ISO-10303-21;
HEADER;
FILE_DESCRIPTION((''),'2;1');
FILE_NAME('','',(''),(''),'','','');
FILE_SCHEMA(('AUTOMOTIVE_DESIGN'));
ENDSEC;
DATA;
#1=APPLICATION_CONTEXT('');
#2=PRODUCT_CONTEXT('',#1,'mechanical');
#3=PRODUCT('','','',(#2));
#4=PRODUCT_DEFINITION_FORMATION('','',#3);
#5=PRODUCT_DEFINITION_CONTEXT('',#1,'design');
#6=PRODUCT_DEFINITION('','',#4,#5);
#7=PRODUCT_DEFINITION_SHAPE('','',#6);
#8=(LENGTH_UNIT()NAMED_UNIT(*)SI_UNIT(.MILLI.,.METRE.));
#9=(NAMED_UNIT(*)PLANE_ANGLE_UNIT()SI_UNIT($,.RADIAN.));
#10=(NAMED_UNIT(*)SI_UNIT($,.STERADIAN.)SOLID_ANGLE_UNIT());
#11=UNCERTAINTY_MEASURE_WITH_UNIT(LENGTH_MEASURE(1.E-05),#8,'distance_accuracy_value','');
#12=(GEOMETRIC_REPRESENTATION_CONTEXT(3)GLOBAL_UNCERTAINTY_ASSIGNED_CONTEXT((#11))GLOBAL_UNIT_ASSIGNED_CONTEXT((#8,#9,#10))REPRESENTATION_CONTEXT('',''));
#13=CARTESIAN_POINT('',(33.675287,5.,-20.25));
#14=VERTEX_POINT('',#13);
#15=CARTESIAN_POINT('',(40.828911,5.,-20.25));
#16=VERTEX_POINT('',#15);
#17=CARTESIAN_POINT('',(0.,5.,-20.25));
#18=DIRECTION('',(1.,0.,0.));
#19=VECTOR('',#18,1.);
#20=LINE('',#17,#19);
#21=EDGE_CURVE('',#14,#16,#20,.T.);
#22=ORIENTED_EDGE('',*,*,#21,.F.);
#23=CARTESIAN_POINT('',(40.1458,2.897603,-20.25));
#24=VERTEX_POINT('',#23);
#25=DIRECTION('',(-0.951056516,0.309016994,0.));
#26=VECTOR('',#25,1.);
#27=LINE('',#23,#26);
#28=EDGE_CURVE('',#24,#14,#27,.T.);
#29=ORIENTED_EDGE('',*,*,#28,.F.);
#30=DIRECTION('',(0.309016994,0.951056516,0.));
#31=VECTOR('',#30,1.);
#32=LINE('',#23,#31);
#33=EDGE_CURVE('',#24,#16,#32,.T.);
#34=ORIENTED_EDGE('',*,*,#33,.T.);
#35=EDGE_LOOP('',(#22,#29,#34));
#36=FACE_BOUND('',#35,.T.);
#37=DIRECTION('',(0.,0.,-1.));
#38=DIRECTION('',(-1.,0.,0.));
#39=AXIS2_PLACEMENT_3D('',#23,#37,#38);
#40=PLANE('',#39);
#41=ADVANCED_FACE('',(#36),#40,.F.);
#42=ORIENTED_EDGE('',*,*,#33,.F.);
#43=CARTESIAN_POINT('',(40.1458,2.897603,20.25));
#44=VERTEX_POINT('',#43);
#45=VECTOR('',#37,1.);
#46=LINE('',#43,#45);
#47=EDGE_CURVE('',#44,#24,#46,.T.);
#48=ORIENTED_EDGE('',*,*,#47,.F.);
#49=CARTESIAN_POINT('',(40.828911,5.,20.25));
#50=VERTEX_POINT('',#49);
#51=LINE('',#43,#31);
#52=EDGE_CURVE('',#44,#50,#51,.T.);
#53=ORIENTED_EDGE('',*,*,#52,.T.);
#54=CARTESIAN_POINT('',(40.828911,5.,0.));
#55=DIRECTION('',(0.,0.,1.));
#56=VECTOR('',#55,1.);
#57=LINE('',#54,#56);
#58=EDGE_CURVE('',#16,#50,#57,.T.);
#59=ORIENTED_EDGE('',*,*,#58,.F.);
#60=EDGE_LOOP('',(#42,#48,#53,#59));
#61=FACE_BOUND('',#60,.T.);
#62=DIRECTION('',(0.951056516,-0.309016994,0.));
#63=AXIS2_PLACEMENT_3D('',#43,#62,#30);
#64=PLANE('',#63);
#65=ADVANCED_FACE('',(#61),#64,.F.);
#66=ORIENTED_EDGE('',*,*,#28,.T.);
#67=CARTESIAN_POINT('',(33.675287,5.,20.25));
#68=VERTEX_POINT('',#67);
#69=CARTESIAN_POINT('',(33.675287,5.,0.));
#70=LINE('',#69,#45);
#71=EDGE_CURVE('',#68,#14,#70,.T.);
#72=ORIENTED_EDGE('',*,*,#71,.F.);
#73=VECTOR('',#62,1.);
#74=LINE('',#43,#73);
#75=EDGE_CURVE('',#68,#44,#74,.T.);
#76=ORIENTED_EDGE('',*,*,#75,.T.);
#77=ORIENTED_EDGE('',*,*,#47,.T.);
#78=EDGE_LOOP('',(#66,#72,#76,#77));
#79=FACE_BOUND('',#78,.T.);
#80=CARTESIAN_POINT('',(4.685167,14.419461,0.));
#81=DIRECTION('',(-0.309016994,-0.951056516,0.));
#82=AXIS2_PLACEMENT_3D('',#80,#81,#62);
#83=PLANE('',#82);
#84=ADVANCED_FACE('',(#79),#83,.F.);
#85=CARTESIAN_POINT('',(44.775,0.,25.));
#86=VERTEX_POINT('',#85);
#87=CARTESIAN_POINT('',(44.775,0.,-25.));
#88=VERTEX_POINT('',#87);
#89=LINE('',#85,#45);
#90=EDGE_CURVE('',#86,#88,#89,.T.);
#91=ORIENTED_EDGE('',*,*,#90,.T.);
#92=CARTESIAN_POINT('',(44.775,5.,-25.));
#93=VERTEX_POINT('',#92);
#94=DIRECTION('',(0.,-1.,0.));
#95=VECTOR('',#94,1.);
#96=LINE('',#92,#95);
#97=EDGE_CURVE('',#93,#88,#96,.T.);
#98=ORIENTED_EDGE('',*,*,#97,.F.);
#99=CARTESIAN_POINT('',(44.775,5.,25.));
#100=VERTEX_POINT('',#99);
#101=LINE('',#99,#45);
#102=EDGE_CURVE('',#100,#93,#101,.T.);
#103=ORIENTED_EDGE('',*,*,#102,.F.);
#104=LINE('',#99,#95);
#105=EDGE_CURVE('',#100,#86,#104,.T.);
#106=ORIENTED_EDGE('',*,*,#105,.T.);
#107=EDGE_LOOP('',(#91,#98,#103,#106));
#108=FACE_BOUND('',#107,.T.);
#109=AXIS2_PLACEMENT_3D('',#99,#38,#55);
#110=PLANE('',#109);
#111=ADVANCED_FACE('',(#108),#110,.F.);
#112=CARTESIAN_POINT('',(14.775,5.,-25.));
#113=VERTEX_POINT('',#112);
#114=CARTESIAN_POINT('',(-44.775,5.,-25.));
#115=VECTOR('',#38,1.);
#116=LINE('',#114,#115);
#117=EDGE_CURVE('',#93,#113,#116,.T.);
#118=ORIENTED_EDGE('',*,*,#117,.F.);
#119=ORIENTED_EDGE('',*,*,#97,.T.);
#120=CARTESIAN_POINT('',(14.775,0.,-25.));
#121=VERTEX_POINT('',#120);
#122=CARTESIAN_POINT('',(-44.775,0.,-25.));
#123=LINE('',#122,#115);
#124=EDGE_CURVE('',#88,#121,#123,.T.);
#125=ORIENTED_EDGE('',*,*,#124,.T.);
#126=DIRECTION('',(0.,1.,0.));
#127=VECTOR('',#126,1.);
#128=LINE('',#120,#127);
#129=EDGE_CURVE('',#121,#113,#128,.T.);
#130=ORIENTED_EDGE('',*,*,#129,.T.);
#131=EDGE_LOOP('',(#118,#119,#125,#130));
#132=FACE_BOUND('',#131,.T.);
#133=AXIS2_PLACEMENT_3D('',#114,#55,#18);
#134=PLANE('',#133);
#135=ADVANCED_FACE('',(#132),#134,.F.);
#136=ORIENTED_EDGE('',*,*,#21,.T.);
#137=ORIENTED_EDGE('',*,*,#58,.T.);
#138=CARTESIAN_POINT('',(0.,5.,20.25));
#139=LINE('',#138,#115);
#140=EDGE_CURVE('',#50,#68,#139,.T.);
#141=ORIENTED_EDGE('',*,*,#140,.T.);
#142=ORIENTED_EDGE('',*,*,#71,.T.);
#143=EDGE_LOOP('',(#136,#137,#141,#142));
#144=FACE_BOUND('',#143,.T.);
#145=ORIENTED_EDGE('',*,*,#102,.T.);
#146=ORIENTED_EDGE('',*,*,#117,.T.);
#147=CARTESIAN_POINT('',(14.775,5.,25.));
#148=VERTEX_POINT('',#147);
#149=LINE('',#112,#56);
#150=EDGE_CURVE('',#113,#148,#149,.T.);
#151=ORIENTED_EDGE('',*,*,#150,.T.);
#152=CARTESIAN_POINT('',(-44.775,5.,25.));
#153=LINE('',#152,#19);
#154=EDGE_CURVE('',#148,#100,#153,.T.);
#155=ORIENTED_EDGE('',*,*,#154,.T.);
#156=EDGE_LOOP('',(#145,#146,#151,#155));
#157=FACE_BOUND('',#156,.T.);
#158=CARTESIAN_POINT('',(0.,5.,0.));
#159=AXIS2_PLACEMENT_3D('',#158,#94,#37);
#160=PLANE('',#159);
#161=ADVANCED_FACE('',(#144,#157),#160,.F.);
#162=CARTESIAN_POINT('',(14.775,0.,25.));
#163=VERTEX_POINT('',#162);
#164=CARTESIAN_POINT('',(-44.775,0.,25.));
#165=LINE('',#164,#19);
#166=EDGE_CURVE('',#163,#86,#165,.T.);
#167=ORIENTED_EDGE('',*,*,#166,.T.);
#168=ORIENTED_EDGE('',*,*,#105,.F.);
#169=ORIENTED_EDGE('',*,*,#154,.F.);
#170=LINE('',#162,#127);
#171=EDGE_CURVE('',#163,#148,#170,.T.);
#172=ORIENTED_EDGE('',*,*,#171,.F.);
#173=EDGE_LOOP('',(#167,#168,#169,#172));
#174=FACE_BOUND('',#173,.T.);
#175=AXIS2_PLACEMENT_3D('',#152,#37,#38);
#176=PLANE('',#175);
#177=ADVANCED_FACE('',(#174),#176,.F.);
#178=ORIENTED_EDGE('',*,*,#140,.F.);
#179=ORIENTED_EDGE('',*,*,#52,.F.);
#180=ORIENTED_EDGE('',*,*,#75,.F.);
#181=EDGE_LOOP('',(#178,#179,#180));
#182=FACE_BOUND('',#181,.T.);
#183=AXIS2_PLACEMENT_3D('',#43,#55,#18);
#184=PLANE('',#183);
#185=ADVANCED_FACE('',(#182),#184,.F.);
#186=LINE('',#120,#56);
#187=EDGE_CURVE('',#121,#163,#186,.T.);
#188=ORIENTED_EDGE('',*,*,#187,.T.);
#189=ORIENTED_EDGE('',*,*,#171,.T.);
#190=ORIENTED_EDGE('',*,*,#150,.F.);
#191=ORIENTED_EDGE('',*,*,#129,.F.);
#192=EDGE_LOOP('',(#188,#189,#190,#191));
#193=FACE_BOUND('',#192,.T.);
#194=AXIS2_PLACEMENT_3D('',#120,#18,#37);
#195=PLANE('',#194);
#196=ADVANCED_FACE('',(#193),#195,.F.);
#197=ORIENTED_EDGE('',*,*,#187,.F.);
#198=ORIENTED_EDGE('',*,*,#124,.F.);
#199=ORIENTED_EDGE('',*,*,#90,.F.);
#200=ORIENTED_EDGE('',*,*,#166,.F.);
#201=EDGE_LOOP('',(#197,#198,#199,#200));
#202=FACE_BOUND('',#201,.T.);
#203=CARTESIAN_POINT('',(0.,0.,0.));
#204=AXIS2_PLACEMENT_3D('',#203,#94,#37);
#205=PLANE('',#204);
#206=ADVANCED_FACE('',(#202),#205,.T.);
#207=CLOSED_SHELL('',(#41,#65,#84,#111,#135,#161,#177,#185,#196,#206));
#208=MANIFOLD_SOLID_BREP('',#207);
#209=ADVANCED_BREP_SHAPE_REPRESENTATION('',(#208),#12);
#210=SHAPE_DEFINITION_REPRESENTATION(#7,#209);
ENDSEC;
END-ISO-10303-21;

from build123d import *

# Parameters (mm, degrees)
SKETCH_1_W          = 89.55
SKETCH_1_H          = 50
EXTRUDE_1_DEPTH     = 5
CUT_EXTRUDE_1_DEPTH = 4
SKETCH_6_W          = 40.5
SKETCH_6_H          = 93
CUT_EXTRUDE_2_DEPTH = 3.43
SKETCH_7_W          = 59.55
SKETCH_7_H          = 5
CUT_EXTRUDE_3_DEPTH = 51


with BuildPart() as part:
    # 草圖1 → 填料-伸長1 (new body)
    with BuildSketch(Plane(origin=(0, 0, 0), x_dir=(1, 0, 0), z_dir=(0, 1, 0))):
        Rectangle(SKETCH_1_W, SKETCH_1_H)
    extrude(amount=EXTRUDE_1_DEPTH)

    # 草圖2 → 除料-伸長1 (cut)
    with BuildSketch(Plane(origin=(0, 5, 0), x_dir=(1, 0, 0), z_dir=(0, 1, 0))):
        Polygon((-39.775, 5.2), (-7.375, 5.2), (-7.375, -5.2), (-39.775, -5.2), (-39.775, -4), (-44.775, -4), (-44.775, 4), (-39.775, 4), align=None)
    extrude(amount=-CUT_EXTRUDE_1_DEPTH, mode=Mode.SUBTRACT)

    # 草圖6 → 除料-伸長2 (cut)
    with BuildSketch(Plane(origin=(5.745095169, 17.681584822, 0), x_dir=(0, 0, -1), z_dir=(0.309016994, 0.951056516, 0))):
        with Locations((0, 9.21448352)):
            Rectangle(SKETCH_6_W, SKETCH_6_H)
    extrude(amount=-CUT_EXTRUDE_2_DEPTH, mode=Mode.SUBTRACT)

    # 草圖7 → 除料-伸長3 (cut, through all)
    with BuildSketch(Plane.XY.offset(25)):
        with Locations((-15, 2.5)):
            Rectangle(SKETCH_7_W, SKETCH_7_H)
    extrude(amount=-CUT_EXTRUDE_3_DEPTH, mode=Mode.SUBTRACT)


solid = part.part
